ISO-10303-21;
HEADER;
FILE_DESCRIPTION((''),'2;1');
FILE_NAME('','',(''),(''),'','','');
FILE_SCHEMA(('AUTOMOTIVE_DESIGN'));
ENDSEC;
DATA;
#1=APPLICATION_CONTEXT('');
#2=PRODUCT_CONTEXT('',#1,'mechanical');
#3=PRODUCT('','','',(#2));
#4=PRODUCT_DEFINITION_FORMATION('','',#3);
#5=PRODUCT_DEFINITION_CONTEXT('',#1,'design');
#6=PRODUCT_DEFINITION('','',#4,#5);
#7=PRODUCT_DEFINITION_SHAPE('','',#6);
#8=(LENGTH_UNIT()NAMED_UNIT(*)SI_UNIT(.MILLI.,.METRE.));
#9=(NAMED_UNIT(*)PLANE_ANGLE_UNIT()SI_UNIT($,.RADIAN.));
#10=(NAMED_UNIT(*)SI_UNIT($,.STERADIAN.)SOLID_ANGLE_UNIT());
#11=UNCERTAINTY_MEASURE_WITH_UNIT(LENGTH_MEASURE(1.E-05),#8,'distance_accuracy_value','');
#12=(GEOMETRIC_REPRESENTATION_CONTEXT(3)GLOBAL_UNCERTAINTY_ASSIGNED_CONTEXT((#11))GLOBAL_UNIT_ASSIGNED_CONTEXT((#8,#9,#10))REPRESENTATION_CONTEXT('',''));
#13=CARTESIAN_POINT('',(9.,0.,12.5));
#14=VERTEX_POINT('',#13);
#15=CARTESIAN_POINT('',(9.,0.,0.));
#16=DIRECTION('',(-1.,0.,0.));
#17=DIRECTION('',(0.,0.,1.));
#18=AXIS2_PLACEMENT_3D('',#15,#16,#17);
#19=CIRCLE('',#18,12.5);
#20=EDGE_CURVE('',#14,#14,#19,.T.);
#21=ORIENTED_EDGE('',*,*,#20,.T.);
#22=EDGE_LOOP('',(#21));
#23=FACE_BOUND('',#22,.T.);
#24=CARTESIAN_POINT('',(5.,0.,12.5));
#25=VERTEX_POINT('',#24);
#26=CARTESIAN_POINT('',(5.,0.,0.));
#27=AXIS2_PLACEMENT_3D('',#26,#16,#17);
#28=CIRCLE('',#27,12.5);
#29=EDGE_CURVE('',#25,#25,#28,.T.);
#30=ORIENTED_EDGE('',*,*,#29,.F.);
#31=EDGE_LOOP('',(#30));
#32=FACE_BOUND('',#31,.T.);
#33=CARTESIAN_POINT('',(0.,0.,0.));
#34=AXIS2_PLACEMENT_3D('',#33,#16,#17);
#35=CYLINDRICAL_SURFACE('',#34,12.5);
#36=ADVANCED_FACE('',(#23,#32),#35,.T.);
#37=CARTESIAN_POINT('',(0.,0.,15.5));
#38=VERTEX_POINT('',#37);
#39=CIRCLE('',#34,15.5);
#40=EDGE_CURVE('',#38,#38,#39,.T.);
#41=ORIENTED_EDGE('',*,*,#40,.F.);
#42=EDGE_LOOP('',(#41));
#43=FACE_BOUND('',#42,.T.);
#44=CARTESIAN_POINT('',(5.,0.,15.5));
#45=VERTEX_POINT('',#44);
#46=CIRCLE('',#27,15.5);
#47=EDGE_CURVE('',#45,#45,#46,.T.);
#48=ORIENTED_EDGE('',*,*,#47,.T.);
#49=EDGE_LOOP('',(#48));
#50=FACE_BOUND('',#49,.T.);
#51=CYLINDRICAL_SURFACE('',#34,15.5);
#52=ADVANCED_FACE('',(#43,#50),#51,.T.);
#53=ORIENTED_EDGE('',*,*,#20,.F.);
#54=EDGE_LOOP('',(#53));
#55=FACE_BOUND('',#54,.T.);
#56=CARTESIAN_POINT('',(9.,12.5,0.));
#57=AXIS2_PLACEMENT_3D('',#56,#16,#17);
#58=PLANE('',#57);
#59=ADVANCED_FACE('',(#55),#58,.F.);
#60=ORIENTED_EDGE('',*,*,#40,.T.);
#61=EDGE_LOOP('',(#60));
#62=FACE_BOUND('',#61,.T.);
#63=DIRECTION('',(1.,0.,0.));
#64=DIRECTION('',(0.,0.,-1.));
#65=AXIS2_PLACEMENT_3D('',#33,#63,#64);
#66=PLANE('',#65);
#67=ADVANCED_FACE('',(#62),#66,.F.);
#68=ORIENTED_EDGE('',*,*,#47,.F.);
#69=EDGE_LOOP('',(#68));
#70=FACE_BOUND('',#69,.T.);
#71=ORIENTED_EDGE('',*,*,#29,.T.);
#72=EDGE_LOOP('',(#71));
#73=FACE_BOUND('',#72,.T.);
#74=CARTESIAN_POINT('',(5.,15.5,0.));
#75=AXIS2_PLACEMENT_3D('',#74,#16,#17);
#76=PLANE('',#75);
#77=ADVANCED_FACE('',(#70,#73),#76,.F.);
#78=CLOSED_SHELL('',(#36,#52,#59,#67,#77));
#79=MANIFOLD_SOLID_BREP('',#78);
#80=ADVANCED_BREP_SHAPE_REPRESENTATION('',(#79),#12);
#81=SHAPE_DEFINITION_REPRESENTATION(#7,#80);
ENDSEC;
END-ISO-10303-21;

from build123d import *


with BuildPart() as part:
    # Sketch1 → Revolve1 (revolve)
    with BuildSketch(Plane.XY):
        Polygon((0, 0), (0, 15.5), (5, 15.5), (5, 12.5), (9, 12.5), (9, 0), align=None)
    revolve(axis=Axis((0, 0, 0), (1, 0, 0)))


solid = part.part
